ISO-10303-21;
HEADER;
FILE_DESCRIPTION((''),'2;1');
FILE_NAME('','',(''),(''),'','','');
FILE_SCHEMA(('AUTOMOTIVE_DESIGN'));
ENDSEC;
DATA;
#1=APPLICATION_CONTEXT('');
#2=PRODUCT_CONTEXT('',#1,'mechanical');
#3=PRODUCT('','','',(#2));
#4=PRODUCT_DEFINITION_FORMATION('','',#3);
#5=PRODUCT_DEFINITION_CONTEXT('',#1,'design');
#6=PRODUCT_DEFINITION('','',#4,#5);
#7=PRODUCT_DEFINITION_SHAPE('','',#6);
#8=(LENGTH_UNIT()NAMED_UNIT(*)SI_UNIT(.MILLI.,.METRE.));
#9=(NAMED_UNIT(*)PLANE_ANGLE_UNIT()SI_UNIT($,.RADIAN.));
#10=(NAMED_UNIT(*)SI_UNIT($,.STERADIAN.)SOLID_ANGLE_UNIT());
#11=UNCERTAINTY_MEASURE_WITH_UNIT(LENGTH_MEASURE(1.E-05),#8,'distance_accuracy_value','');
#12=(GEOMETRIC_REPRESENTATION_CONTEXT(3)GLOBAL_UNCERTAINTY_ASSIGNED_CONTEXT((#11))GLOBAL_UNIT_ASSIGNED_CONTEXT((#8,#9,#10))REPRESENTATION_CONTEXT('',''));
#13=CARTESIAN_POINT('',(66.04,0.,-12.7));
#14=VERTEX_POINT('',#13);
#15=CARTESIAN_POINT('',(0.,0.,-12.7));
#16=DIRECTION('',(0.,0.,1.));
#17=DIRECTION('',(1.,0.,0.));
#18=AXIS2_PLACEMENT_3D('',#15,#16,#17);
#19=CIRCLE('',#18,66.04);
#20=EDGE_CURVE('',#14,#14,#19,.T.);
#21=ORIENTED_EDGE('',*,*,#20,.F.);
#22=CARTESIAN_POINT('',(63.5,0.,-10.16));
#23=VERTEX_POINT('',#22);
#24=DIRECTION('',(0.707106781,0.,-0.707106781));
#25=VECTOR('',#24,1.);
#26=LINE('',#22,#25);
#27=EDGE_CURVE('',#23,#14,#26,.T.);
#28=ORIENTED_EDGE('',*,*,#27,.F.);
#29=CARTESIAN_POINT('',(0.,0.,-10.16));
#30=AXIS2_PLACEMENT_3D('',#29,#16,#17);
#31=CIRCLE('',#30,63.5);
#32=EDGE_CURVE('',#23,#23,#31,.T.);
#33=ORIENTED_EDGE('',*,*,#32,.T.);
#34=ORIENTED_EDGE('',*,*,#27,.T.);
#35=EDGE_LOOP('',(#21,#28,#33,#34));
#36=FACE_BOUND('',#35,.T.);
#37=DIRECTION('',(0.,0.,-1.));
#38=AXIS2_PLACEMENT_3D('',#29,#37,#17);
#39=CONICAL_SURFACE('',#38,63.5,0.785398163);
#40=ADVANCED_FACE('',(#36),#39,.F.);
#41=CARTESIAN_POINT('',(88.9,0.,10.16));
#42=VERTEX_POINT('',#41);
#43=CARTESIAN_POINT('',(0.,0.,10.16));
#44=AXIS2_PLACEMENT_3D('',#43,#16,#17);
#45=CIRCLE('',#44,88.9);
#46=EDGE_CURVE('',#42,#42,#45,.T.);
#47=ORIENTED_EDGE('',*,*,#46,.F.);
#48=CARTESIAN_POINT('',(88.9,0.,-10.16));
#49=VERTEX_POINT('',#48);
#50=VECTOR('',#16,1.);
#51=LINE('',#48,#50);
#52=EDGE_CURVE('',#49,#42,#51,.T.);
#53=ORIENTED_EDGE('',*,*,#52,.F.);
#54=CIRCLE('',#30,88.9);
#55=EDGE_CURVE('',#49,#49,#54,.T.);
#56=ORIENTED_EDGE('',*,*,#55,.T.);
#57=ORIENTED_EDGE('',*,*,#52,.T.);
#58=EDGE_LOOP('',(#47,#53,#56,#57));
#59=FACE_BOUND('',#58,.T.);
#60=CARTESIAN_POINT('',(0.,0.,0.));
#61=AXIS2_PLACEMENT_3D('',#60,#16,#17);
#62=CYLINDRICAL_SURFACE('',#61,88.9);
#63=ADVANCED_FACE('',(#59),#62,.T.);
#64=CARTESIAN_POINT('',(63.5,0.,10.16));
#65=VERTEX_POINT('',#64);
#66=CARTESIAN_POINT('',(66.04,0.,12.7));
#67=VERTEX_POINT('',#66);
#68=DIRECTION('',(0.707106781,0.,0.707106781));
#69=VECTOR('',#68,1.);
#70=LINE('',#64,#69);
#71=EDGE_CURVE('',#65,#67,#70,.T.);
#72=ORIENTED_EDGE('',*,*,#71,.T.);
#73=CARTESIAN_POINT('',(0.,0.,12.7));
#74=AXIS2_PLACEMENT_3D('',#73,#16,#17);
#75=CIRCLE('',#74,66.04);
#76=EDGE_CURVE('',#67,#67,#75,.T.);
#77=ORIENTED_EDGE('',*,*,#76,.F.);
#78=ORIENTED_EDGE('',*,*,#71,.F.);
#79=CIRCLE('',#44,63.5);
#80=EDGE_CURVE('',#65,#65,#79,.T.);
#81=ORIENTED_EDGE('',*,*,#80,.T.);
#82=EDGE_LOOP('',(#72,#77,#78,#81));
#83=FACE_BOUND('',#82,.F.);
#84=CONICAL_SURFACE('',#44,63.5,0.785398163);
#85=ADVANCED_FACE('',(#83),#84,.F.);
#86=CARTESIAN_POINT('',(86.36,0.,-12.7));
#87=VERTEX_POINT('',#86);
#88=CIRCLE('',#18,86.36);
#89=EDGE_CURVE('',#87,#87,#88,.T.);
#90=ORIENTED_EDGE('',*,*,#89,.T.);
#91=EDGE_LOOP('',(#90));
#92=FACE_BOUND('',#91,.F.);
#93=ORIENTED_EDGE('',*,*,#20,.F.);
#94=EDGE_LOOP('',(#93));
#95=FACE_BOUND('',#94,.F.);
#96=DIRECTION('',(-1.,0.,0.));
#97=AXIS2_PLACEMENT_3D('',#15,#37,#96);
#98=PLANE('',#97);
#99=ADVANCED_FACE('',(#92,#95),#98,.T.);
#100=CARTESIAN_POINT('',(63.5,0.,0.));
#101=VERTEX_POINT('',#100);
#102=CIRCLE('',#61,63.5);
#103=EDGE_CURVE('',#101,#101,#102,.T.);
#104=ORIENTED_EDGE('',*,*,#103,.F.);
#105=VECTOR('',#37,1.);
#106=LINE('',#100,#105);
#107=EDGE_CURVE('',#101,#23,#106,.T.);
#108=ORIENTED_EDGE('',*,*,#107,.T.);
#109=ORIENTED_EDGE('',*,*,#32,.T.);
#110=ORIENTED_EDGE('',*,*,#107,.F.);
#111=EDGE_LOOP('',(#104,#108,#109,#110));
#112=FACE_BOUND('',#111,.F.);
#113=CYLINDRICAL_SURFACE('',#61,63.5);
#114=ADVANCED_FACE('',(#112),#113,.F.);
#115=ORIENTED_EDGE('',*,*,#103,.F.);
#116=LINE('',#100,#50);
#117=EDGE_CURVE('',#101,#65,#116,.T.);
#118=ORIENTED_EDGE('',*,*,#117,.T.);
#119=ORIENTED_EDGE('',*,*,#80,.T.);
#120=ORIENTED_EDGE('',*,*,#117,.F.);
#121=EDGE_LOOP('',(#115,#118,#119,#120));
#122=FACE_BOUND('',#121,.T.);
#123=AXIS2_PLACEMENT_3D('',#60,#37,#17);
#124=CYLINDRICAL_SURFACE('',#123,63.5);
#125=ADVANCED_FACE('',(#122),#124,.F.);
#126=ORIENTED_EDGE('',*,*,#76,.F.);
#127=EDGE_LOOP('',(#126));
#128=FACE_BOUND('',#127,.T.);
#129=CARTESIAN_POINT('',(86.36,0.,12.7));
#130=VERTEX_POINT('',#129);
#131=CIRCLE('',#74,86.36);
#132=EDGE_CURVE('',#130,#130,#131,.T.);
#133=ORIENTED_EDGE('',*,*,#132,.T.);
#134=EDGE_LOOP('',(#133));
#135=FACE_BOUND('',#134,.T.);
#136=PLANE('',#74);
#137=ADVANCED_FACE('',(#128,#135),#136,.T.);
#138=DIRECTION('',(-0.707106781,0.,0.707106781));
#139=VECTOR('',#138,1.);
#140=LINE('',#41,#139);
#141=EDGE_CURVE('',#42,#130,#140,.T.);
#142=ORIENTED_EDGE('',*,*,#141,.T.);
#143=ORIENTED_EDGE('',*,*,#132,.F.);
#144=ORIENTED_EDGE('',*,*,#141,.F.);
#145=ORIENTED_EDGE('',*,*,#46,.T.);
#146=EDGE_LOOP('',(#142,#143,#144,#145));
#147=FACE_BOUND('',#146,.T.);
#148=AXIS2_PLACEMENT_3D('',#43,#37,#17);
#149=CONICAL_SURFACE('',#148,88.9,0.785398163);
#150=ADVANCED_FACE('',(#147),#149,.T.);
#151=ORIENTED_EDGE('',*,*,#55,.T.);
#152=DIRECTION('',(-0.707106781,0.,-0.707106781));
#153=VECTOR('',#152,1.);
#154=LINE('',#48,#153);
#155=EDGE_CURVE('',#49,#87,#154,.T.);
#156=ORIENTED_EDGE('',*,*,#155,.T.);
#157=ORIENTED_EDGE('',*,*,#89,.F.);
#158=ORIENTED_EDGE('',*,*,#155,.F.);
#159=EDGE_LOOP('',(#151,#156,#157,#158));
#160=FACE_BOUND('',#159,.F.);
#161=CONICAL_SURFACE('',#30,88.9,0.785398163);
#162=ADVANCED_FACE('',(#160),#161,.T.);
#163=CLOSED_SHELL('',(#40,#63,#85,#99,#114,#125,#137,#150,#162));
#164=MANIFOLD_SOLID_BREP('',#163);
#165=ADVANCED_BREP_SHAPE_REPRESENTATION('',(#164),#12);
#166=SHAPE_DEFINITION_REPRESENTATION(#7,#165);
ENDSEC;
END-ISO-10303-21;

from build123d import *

# Parameters (mm, degrees)
F0_R     = 88.9
F0_R_2   = 63.5
F1_DEPTH = 12.7
F2_SIZE  = 2.54


with BuildPart() as f1:
    # F0 (on Top) → F1 (new body)
    with BuildSketch(Plane.XY):
        Circle(F0_R)
        Circle(F0_R_2, mode=Mode.SUBTRACT)
    extrude(amount=F1_DEPTH)

    # F2
    f2_edges = [f1.edges().sort_by_distance(p)[0] for p in [
        (-88.9, 0, 12.7),
        (-63.5, 0, 12.7),
    ]]
    chamfer(f2_edges, length=F2_SIZE)

    # F3: F1 across face


with BuildPart() as f1_1:
    add(f1.part)
    add(f1.part.mirror(Plane(origin=(0, 0, 0), x_dir=(1, 0, 0), z_dir=(0, 0, -1))))


solid = f1_1.part
